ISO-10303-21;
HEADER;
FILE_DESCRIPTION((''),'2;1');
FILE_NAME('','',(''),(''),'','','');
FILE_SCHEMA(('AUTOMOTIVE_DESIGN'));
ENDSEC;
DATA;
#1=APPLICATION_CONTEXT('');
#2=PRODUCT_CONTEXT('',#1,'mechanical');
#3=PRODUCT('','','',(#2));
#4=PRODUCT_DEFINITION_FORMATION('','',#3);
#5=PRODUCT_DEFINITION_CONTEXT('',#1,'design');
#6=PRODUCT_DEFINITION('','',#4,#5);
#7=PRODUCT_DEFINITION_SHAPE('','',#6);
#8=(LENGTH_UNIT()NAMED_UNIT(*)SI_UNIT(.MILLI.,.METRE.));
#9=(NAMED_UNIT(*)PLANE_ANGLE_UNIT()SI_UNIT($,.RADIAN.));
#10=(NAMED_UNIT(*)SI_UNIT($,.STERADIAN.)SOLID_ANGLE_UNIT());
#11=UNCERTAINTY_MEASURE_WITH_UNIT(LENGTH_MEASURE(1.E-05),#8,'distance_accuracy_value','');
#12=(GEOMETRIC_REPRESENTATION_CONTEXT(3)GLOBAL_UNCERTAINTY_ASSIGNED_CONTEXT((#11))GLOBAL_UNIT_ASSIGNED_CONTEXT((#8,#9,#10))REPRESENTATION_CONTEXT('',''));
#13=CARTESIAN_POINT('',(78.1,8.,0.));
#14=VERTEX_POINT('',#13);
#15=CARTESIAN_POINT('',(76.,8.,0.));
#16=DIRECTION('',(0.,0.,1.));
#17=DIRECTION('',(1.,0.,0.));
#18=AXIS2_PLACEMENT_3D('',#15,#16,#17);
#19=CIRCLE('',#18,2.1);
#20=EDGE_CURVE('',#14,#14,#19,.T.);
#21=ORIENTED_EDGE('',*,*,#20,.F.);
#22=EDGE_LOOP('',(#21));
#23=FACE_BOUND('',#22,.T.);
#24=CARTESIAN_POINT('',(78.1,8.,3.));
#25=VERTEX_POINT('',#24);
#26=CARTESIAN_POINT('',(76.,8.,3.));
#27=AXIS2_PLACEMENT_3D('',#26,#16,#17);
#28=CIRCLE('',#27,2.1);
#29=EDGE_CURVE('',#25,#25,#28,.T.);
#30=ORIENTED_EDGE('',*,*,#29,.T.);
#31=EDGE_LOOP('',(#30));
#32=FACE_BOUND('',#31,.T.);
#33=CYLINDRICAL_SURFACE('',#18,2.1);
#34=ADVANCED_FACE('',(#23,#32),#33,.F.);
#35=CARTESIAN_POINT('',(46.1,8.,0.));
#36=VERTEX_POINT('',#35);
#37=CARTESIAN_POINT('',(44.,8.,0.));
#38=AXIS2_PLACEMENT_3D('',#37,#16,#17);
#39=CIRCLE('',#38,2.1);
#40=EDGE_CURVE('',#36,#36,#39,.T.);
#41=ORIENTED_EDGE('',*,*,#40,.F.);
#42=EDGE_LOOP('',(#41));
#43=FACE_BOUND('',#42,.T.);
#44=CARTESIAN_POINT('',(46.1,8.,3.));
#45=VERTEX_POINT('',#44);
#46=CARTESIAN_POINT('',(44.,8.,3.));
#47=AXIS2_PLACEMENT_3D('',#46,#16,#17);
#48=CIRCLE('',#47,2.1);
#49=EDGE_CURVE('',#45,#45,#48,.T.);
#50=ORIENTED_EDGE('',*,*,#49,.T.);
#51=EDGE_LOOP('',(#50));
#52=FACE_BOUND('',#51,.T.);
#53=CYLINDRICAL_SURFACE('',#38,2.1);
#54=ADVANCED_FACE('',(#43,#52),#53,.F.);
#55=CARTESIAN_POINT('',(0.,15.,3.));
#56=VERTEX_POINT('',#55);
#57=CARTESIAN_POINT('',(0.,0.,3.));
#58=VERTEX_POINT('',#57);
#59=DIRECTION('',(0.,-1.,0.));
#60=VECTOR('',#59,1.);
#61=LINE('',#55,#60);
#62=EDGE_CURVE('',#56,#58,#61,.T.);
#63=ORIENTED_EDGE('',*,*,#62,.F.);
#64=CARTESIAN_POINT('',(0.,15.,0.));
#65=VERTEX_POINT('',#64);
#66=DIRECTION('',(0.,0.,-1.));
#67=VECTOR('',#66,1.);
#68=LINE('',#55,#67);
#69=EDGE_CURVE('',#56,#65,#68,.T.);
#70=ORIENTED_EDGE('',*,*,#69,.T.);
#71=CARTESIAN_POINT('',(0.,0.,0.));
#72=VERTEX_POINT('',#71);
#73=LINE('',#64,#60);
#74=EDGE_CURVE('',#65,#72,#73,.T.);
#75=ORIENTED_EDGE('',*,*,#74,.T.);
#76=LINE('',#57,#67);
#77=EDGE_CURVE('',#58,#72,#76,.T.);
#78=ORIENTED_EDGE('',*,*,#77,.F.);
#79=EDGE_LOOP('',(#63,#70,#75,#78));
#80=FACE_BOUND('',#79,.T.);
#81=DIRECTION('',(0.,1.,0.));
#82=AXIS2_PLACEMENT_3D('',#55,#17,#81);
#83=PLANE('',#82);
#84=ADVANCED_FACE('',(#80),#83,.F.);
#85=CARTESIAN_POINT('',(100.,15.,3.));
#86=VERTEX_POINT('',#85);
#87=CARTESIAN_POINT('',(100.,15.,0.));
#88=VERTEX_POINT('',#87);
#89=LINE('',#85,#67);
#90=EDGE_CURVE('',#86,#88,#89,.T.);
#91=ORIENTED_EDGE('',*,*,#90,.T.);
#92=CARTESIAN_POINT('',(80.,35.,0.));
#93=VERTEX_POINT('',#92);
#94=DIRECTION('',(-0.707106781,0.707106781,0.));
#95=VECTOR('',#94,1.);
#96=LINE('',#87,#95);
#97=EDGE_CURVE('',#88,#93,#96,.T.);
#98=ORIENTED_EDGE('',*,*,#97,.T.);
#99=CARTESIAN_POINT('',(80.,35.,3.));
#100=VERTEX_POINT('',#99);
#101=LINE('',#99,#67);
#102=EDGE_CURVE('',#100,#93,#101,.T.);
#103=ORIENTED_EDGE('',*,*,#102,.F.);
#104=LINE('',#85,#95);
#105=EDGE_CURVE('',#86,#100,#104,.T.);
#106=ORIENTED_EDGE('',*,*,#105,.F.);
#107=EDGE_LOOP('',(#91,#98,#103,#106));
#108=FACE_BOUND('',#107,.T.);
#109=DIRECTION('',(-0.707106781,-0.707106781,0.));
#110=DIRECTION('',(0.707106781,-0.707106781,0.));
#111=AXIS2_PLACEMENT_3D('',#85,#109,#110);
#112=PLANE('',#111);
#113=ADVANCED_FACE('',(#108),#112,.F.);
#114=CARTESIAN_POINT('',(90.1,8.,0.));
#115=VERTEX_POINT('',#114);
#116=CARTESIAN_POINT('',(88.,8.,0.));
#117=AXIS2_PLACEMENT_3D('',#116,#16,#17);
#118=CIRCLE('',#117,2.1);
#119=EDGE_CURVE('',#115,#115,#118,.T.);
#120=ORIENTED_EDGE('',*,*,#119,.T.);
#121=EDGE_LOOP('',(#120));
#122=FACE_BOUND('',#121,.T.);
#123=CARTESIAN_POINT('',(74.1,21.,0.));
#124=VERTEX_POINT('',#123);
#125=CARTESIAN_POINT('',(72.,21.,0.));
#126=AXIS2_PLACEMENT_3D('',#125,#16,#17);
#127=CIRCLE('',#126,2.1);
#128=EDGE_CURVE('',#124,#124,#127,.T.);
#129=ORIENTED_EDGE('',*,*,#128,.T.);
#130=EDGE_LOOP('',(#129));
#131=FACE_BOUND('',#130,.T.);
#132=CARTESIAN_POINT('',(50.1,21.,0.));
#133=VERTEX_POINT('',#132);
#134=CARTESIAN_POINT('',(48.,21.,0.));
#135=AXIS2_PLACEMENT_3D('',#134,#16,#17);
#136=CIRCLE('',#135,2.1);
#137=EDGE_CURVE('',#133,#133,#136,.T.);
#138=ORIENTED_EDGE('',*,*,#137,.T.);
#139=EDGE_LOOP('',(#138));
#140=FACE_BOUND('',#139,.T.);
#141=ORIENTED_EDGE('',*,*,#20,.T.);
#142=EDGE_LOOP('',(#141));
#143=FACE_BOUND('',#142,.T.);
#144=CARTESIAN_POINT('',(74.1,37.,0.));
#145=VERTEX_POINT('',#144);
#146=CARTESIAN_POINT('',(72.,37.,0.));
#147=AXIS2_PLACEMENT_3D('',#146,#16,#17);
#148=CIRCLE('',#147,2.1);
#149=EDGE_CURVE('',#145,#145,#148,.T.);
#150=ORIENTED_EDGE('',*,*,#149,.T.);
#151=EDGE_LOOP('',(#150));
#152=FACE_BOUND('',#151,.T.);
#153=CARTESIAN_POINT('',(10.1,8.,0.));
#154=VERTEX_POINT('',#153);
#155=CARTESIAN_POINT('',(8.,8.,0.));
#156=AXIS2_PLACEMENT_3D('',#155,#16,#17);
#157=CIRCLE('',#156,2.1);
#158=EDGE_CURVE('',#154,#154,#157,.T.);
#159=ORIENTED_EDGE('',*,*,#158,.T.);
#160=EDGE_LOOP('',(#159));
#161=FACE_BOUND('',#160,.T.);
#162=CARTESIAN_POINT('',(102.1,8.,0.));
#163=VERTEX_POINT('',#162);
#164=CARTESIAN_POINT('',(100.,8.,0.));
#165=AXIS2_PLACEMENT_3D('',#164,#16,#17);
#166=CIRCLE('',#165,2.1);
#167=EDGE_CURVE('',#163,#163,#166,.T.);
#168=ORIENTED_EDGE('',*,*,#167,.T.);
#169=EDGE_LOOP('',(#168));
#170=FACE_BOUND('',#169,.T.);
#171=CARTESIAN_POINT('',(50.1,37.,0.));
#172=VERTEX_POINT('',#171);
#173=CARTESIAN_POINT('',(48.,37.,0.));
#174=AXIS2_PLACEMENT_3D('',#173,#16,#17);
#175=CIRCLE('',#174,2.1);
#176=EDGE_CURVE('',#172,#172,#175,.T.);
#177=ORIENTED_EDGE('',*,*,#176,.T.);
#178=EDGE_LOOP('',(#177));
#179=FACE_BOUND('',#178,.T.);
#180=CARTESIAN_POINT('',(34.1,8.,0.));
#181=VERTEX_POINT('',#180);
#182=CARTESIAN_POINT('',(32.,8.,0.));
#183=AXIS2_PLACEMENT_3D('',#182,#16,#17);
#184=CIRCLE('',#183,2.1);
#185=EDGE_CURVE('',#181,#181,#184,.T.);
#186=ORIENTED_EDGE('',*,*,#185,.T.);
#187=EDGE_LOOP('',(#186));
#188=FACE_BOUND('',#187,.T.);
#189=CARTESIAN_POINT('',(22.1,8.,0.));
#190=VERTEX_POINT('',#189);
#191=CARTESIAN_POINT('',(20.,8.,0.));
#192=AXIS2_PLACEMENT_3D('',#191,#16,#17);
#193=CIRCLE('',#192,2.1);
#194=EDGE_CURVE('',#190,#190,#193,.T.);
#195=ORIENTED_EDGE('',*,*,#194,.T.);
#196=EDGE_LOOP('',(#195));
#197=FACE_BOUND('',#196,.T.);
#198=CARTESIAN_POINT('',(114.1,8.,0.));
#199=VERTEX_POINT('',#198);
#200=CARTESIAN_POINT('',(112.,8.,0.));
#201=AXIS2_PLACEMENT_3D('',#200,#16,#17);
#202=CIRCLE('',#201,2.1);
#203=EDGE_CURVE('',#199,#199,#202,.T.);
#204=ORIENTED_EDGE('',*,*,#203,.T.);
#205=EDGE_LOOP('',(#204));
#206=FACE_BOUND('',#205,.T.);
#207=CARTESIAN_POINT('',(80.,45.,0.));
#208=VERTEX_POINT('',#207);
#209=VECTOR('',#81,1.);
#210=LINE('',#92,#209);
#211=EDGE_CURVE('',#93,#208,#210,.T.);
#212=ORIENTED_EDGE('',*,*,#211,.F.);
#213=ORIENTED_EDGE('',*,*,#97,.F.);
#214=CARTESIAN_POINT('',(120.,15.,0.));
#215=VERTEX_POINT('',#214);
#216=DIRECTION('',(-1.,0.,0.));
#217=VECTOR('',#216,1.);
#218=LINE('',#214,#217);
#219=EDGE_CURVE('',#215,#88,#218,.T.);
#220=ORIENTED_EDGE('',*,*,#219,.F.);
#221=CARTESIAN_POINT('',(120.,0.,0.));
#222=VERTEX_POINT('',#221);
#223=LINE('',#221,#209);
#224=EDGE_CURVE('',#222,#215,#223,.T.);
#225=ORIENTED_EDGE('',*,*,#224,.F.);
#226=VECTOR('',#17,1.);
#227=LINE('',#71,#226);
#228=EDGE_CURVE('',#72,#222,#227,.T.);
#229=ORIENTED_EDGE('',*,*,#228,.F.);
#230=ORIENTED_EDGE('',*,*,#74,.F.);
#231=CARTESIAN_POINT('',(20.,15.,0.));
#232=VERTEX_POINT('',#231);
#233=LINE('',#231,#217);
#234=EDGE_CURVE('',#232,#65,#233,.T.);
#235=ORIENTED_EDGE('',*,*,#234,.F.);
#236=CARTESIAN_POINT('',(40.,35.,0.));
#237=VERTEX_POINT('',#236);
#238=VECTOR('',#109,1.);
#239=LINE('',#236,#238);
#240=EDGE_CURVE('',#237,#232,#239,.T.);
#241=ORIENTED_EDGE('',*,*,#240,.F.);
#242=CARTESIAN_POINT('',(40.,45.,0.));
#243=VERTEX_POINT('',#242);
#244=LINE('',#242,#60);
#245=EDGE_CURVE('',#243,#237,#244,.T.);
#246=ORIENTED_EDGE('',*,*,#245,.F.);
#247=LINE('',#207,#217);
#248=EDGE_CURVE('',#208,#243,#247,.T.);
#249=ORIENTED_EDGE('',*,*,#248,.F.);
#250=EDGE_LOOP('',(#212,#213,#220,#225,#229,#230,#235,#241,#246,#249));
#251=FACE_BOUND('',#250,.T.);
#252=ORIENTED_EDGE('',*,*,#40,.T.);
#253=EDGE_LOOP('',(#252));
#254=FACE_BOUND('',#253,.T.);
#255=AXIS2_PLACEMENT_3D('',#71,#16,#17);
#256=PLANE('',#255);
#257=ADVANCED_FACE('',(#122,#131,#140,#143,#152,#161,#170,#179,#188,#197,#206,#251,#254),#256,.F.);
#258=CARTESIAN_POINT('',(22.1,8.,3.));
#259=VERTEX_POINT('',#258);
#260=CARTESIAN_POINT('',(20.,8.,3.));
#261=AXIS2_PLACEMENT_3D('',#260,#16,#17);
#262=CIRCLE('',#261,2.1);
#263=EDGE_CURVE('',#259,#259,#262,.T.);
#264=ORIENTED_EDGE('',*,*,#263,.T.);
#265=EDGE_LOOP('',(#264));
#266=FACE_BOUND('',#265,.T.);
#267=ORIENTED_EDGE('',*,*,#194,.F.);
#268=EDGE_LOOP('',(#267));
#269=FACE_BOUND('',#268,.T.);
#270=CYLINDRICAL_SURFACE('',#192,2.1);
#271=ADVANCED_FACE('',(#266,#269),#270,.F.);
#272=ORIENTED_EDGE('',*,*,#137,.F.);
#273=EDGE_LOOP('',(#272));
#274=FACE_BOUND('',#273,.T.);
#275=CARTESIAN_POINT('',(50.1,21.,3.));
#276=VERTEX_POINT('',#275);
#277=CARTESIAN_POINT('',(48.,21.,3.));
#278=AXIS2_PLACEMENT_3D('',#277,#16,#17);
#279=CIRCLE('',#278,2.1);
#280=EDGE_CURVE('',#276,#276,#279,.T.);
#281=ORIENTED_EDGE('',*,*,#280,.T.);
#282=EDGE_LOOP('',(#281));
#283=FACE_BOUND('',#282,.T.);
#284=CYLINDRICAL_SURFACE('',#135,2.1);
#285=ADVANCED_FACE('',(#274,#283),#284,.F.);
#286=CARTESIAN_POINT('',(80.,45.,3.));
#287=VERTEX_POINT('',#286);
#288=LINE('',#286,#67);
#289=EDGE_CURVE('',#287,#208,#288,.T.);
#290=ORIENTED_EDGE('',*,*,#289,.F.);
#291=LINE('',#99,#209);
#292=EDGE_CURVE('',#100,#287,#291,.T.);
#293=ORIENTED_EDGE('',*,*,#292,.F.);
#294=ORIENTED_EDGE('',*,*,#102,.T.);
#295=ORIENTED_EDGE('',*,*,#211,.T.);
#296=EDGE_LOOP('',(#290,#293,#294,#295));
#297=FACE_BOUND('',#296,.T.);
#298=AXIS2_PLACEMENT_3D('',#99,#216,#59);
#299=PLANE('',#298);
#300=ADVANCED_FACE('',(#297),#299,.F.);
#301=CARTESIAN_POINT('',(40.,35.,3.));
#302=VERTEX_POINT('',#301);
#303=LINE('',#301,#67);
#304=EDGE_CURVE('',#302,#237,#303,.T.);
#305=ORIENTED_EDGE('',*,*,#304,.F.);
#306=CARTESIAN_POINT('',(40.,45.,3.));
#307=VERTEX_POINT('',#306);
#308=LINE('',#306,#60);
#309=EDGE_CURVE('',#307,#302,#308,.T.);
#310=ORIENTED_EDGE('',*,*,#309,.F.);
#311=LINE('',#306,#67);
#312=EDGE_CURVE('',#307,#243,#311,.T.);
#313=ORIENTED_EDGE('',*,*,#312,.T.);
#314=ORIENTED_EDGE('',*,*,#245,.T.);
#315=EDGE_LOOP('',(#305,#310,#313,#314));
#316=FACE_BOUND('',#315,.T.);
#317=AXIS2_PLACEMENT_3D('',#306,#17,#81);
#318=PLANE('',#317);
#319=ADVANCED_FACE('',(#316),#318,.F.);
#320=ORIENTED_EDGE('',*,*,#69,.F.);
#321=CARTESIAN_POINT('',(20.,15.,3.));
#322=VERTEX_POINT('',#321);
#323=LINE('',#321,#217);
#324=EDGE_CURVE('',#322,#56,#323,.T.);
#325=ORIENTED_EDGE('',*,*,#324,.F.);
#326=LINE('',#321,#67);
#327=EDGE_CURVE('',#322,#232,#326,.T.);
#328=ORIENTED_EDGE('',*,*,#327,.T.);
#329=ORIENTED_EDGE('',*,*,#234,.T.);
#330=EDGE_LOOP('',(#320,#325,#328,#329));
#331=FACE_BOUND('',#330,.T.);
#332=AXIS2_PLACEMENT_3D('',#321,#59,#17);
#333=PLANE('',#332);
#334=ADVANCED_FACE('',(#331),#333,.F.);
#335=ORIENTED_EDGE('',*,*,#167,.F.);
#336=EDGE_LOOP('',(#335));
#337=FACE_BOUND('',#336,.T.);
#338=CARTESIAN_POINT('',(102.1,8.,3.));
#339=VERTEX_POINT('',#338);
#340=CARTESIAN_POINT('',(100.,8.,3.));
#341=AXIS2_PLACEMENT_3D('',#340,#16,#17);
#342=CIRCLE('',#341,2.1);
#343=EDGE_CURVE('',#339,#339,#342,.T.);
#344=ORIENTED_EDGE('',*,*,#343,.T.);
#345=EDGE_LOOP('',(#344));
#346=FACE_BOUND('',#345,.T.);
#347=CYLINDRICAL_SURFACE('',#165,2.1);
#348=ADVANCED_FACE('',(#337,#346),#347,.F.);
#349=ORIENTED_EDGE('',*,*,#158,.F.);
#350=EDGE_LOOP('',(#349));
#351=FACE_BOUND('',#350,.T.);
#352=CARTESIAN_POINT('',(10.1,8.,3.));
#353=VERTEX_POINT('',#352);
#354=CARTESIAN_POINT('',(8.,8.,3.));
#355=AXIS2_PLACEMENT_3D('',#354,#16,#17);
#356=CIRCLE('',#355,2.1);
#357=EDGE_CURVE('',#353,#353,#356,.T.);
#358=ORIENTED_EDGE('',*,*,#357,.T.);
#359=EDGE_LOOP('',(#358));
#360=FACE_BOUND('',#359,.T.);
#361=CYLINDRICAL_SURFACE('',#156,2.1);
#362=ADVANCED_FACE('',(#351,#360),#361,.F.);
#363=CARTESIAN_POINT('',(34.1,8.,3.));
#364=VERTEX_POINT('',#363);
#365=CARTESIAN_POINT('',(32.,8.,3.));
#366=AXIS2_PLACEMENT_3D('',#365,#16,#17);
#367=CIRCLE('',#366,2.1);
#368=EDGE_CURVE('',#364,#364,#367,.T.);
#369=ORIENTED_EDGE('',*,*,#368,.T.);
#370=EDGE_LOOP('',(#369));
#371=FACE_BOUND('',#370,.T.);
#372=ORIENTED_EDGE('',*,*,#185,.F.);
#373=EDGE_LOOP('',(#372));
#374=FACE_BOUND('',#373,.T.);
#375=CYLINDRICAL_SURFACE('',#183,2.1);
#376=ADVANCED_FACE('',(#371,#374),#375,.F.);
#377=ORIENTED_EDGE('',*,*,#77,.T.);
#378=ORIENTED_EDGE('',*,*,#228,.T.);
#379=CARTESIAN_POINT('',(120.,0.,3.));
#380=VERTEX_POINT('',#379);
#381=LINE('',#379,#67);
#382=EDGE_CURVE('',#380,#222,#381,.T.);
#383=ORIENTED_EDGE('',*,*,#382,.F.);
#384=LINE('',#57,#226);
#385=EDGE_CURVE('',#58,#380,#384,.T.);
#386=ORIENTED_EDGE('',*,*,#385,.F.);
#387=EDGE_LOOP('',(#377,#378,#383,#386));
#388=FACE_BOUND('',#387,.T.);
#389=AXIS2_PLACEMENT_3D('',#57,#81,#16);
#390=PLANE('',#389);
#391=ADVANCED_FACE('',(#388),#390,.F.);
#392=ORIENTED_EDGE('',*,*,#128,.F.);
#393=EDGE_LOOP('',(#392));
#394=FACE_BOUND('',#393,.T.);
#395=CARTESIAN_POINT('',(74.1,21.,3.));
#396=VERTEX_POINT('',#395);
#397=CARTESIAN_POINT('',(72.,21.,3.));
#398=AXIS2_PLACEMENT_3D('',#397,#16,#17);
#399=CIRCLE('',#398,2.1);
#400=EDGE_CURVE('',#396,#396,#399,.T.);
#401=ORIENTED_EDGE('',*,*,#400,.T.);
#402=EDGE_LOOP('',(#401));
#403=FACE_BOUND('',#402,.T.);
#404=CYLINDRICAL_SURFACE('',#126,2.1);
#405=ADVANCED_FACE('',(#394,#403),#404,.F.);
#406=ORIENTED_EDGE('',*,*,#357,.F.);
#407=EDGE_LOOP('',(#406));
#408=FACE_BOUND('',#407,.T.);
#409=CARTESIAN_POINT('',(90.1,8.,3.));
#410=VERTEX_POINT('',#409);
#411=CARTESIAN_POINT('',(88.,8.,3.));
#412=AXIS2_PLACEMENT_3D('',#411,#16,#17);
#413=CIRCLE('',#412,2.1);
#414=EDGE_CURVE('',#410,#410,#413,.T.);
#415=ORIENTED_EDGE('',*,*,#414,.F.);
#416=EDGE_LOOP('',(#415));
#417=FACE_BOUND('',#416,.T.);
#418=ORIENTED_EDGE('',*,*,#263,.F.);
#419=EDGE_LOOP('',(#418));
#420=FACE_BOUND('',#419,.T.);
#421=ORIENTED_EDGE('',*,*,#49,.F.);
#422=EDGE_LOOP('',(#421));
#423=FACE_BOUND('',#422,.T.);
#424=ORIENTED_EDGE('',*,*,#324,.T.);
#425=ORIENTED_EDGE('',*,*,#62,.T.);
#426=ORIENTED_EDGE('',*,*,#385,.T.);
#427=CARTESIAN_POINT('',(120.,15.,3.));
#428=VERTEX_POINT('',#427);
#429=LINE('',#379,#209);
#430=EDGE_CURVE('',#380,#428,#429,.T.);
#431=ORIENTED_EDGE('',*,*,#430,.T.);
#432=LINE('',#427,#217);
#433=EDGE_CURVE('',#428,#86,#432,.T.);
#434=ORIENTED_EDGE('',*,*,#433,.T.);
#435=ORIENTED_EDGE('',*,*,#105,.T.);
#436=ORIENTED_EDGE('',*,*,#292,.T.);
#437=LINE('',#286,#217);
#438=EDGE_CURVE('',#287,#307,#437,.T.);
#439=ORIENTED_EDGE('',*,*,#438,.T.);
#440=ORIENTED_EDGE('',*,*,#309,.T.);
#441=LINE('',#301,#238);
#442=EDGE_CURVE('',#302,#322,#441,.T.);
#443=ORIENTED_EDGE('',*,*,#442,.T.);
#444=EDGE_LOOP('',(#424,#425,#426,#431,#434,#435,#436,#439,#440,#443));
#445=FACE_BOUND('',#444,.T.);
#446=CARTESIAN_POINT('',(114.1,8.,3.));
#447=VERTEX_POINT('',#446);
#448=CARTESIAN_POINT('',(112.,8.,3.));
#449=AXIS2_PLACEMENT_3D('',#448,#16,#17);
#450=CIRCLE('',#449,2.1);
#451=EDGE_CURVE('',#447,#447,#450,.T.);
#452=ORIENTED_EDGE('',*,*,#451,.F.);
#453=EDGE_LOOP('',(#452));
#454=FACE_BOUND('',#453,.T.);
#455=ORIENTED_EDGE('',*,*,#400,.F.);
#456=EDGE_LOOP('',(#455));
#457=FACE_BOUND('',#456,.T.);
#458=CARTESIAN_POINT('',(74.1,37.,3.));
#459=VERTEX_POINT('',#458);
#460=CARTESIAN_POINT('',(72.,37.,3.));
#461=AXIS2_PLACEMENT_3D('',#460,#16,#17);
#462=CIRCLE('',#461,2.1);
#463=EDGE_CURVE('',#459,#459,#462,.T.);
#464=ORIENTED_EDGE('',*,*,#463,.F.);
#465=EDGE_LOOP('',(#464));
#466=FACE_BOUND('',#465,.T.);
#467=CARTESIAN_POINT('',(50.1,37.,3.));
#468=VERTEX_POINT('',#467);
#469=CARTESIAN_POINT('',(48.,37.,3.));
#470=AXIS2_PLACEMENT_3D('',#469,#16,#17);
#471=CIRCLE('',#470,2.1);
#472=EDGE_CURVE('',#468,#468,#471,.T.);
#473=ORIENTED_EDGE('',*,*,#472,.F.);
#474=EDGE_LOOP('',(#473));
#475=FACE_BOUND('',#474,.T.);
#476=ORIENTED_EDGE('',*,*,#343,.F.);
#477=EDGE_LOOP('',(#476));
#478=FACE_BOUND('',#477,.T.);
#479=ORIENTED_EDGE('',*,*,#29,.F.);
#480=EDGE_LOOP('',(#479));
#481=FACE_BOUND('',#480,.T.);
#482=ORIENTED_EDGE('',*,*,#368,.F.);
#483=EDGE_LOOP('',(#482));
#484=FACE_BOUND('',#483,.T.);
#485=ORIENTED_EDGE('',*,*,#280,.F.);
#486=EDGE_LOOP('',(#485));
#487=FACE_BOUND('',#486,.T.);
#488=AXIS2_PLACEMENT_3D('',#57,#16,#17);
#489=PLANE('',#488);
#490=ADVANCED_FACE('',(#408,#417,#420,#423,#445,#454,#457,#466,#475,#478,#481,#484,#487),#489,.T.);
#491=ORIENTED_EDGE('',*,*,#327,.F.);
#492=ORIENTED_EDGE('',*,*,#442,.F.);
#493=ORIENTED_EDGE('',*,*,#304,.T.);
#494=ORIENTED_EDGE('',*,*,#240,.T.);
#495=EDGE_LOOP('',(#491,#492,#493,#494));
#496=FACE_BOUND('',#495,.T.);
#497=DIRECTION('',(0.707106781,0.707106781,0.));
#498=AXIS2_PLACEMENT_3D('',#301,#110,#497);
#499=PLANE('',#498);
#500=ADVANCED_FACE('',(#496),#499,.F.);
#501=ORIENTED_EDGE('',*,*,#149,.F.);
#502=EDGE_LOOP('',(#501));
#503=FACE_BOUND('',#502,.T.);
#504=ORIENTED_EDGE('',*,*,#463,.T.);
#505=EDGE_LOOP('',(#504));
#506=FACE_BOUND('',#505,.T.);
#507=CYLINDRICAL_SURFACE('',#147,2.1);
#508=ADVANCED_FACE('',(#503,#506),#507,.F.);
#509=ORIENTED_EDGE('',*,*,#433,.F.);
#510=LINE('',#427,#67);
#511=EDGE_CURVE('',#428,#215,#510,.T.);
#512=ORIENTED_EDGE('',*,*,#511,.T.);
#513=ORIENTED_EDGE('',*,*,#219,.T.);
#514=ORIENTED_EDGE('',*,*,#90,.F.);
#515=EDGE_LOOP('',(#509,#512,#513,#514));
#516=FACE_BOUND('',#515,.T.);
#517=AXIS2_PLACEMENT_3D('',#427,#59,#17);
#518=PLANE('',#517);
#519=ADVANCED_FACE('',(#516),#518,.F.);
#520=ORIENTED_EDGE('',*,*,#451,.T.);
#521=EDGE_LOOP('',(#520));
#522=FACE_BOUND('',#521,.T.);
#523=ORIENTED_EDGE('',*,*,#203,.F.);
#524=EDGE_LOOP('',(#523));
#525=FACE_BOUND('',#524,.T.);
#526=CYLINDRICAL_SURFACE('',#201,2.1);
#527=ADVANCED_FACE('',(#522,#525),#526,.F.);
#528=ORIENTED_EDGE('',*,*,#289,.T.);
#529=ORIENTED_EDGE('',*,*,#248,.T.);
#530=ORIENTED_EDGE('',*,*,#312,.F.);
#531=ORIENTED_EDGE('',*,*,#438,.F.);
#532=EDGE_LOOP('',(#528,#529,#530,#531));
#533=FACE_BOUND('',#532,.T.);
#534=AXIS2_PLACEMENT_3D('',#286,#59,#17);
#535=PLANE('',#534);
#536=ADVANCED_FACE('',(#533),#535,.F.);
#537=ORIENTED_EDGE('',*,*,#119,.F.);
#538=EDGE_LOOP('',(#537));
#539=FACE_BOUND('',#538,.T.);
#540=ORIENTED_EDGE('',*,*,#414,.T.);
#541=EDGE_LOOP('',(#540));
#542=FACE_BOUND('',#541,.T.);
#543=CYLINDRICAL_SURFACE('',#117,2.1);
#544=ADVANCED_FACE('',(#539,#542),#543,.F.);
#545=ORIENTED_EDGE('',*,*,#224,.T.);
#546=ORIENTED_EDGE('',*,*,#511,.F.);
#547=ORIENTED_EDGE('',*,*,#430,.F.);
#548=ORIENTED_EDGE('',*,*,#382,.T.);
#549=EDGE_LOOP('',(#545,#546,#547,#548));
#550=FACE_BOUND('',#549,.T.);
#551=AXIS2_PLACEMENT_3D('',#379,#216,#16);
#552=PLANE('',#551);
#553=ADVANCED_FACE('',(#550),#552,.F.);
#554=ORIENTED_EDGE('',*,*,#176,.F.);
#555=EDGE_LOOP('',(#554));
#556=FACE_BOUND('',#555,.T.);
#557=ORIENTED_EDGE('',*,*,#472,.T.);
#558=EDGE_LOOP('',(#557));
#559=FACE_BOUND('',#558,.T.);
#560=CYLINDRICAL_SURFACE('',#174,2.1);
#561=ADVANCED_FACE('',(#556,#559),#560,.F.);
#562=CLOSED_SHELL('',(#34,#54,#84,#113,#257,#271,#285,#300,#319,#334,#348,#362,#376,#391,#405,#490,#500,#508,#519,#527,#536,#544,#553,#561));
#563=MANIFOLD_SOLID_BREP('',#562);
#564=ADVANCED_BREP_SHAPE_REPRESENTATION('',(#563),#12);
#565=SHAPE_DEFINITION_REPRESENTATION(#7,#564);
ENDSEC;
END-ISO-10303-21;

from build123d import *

# Parameters (mm, degrees)
EXTRUDE_1_DEPTH     = 3
SKETCH_2_R          = 2.1
CUT_EXTRUDE_1_DEPTH = 3
SKETCH_3_R          = 2.1
CUT_EXTRUDE_2_DEPTH = 129.195163715


with BuildPart() as part:
    # 草图1 → 凸台-拉伸1 (new body)
    with BuildSketch(Plane.XY):
        Polygon((0, 0), (120, 0), (120, 15), (100, 15), (80, 35), (80, 45), (40, 45), (40, 35), (20, 15), (0, 15), align=None)
    extrude(amount=EXTRUDE_1_DEPTH)

    # 草图2 → 切除-拉伸1 (cut)
    with BuildSketch(Plane.XY.offset(3)):
        with Locations((48, 37)):
            Circle(SKETCH_2_R)
        with Locations((72, 37)):
            Circle(SKETCH_2_R)
        with Locations((48, 21)):
            Circle(SKETCH_2_R)
        with Locations((72, 21)):
            Circle(SKETCH_2_R)
        with Locations((8, 8)):
            Circle(SKETCH_2_R)
        with Locations((20, 8)):
            Circle(SKETCH_2_R)
        with Locations((100, 8)):
            Circle(SKETCH_2_R)
        with Locations((112, 8)):
            Circle(SKETCH_2_R)
    extrude(amount=-CUT_EXTRUDE_1_DEPTH, mode=Mode.SUBTRACT)

    # 草图3 → 切除-拉伸2 (cut, through all)
    with BuildSketch(Plane.XY.offset(3)):
        with Locations((32, 8)):
            Circle(SKETCH_3_R)
        with Locations((44, 8)):
            Circle(SKETCH_3_R)
        with Locations((76, 8)):
            Circle(SKETCH_3_R)
        with Locations((88, 8)):
            Circle(SKETCH_3_R)
    extrude(amount=-CUT_EXTRUDE_2_DEPTH, mode=Mode.SUBTRACT)


solid = part.part
